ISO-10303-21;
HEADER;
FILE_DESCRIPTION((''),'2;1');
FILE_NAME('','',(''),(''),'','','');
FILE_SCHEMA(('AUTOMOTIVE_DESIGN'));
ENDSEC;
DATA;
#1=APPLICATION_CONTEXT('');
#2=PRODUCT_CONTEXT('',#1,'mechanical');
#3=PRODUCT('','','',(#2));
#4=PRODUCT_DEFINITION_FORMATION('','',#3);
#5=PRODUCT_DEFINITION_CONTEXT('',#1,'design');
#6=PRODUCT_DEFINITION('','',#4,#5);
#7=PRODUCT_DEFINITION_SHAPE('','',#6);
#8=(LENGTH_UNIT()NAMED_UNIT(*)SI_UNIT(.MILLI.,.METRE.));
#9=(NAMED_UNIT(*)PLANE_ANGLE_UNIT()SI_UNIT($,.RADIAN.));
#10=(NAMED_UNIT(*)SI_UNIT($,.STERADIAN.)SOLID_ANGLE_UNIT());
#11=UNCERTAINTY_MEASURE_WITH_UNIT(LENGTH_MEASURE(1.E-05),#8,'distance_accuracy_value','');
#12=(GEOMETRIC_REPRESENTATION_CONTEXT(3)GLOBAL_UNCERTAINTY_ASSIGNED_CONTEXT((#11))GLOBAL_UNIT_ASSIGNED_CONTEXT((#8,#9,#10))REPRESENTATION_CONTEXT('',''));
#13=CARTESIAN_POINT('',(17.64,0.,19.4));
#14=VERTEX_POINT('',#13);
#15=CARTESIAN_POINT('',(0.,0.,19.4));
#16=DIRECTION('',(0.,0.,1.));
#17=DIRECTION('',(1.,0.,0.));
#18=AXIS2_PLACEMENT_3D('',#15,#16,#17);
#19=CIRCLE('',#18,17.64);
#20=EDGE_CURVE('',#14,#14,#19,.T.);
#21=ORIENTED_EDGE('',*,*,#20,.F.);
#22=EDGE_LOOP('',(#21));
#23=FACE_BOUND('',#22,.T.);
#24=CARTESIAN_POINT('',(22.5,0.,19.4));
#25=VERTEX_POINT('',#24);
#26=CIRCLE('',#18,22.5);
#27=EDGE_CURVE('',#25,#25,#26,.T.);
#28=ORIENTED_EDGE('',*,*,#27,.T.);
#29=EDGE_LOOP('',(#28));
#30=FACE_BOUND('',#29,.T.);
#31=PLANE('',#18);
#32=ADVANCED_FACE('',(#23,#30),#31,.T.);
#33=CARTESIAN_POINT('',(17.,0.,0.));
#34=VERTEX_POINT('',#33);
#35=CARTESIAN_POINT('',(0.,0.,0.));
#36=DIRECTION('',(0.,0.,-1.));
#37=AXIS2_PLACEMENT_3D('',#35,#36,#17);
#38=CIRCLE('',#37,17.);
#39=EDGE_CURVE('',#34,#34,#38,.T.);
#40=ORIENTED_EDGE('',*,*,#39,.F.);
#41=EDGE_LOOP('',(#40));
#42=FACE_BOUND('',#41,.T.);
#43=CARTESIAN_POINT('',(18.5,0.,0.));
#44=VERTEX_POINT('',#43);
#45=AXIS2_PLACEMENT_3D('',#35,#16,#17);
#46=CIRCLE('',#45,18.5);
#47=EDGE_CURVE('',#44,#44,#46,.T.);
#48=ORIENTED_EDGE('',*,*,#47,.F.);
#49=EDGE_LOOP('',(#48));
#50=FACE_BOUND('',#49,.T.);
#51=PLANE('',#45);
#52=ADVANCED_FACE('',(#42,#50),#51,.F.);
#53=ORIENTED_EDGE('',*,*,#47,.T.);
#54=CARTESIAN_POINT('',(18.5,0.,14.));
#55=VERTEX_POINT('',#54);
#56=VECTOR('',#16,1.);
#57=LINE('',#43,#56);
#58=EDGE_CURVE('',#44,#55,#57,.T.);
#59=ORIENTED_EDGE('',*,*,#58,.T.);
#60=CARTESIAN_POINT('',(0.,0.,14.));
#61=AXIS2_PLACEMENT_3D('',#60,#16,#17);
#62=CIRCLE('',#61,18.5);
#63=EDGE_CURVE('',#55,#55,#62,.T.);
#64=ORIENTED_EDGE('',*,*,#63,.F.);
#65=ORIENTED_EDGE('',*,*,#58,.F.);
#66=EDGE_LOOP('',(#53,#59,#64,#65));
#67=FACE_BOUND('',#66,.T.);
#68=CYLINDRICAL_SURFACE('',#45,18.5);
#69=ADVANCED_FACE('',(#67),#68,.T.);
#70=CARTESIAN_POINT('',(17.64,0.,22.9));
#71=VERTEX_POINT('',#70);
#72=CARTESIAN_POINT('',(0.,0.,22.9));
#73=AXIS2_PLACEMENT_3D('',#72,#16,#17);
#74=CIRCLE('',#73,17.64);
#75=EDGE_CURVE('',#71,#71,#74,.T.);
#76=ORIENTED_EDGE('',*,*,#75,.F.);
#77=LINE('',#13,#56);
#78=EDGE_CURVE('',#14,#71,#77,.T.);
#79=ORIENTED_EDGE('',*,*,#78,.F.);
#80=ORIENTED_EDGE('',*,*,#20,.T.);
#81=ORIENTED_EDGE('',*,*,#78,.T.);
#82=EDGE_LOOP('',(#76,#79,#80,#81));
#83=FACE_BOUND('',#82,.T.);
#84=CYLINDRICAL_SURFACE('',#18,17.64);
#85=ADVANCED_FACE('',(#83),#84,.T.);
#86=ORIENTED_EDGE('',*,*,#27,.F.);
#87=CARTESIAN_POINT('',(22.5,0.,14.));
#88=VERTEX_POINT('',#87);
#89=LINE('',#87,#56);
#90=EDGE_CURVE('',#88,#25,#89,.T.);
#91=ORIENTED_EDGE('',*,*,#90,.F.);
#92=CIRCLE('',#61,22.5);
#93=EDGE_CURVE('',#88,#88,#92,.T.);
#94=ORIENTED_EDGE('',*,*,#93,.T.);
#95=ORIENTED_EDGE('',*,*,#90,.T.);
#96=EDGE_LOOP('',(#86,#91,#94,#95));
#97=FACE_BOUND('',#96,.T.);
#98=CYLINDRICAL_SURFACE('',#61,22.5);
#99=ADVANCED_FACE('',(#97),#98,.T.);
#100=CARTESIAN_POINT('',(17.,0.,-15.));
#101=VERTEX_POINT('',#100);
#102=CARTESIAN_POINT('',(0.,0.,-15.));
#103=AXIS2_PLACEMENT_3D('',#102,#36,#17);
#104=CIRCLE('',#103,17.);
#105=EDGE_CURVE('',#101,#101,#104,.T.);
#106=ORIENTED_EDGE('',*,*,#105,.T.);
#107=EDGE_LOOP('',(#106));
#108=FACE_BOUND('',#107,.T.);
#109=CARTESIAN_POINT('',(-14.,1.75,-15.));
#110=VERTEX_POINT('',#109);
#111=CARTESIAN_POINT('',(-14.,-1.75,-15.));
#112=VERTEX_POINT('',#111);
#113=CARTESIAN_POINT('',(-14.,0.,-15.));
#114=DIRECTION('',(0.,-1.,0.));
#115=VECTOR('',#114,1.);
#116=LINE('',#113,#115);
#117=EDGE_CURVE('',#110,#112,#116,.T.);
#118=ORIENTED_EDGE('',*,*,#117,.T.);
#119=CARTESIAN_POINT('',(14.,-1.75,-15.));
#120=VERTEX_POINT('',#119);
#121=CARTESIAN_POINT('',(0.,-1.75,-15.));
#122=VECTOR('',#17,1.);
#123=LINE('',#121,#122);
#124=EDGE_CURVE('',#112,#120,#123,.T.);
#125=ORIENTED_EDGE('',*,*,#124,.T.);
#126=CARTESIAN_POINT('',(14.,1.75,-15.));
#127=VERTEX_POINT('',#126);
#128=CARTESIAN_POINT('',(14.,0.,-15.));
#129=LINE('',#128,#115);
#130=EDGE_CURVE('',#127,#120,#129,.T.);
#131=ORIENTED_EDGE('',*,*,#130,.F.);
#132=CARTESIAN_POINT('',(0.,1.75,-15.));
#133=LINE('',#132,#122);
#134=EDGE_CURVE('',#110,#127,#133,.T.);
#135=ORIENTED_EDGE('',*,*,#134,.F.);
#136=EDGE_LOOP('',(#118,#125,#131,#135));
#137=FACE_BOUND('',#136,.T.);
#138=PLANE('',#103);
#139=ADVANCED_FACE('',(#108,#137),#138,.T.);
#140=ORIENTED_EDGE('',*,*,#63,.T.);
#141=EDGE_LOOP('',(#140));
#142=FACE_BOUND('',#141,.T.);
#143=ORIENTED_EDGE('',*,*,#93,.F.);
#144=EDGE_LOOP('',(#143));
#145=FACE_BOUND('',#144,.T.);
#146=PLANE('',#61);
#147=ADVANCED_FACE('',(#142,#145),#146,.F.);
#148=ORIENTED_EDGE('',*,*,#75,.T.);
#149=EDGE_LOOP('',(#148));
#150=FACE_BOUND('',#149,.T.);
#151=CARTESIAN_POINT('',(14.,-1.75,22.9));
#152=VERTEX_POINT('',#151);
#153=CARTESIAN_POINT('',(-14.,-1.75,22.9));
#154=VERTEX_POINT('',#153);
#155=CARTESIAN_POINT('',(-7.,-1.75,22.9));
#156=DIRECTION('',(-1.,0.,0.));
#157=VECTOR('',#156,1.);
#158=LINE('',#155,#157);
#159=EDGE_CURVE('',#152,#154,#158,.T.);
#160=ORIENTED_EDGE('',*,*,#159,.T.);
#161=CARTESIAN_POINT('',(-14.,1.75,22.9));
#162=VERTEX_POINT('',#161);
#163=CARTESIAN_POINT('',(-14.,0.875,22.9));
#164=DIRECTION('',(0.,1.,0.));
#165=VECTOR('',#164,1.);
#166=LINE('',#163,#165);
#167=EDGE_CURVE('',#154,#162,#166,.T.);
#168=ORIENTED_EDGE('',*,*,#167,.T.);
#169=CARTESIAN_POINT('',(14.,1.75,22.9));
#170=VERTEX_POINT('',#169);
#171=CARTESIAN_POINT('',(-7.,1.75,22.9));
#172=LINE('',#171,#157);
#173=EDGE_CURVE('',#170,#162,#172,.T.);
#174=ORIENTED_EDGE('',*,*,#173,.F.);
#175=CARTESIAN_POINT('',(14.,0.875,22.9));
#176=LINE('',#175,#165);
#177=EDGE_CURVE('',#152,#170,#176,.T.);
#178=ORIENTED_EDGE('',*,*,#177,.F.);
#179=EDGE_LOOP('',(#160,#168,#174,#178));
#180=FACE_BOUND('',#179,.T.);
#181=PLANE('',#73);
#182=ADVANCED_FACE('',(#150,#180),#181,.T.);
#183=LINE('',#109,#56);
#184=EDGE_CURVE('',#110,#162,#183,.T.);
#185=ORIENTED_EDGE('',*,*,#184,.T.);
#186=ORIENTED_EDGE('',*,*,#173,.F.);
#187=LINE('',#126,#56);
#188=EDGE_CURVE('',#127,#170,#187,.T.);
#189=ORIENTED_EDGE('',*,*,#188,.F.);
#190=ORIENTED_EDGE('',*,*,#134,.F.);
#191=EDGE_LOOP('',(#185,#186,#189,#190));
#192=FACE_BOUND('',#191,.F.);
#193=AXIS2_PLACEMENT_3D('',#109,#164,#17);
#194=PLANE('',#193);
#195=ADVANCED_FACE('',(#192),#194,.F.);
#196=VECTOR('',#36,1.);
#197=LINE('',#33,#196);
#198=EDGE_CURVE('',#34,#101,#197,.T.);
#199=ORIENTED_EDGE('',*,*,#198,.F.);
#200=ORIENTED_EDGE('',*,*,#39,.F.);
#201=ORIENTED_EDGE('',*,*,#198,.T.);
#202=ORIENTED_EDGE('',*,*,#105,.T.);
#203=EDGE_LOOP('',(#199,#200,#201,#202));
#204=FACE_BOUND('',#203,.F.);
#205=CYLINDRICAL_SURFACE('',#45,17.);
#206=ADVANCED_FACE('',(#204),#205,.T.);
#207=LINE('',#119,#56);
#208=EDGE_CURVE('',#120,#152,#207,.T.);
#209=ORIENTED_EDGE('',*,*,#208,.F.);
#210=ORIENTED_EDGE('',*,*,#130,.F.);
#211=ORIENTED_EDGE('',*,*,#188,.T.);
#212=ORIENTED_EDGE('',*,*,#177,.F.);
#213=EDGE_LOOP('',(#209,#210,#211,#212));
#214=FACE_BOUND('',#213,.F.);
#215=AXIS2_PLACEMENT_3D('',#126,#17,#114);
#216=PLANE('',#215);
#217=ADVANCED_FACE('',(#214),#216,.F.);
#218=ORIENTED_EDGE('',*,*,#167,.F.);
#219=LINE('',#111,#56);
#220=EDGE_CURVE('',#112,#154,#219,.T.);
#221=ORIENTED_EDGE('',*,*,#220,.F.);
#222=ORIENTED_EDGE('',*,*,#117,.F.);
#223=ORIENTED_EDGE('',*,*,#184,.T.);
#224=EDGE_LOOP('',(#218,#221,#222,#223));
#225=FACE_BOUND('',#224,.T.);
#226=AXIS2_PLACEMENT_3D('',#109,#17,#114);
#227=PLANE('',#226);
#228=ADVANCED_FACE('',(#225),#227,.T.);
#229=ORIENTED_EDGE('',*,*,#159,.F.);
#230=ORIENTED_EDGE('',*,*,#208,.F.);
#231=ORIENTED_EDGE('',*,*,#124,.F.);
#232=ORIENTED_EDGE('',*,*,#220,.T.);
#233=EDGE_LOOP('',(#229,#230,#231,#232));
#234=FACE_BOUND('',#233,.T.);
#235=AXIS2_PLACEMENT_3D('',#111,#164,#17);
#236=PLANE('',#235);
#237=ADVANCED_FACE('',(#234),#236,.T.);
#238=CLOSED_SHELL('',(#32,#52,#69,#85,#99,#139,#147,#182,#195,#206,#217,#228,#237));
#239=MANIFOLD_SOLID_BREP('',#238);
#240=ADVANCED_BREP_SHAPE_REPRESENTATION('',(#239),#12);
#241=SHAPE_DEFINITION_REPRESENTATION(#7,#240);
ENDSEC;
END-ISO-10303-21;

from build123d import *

# Parameters (mm, degrees)
F2_R     = 17
F3_DEPTH = 15
F4_W     = 28
F4_H     = 3.5
F5_DEPTH = 40


with BuildPart() as f1:
    # F0 (on Front) → F1 (revolve)
    with BuildSketch(Plane.XZ):
        Polygon((0, 22.9), (0, 0), (18.5, 0), (18.5, 14), (22.5, 14), (22.5, 19.4), (17.64, 19.4), (17.64, 22.9), align=None)
    revolve(axis=Axis((0, 0, -1.557709), (0, 0, 1)))

    # F2 (on face) → F3 (join)
    with BuildSketch(Plane(origin=(0, 0, 0), x_dir=(1, 0, 0), z_dir=(0, 0, -1))):
        Circle(F2_R)
    extrude(amount=F3_DEPTH)

    # F4 (on face) → F5 (cut)
    with BuildSketch(Plane(origin=(0, 0, -15), x_dir=(1, 0, 0), z_dir=(0, 0, -1))):
        Rectangle(F4_W, F4_H)
    extrude(amount=-F5_DEPTH, mode=Mode.SUBTRACT)


solid = f1.part
